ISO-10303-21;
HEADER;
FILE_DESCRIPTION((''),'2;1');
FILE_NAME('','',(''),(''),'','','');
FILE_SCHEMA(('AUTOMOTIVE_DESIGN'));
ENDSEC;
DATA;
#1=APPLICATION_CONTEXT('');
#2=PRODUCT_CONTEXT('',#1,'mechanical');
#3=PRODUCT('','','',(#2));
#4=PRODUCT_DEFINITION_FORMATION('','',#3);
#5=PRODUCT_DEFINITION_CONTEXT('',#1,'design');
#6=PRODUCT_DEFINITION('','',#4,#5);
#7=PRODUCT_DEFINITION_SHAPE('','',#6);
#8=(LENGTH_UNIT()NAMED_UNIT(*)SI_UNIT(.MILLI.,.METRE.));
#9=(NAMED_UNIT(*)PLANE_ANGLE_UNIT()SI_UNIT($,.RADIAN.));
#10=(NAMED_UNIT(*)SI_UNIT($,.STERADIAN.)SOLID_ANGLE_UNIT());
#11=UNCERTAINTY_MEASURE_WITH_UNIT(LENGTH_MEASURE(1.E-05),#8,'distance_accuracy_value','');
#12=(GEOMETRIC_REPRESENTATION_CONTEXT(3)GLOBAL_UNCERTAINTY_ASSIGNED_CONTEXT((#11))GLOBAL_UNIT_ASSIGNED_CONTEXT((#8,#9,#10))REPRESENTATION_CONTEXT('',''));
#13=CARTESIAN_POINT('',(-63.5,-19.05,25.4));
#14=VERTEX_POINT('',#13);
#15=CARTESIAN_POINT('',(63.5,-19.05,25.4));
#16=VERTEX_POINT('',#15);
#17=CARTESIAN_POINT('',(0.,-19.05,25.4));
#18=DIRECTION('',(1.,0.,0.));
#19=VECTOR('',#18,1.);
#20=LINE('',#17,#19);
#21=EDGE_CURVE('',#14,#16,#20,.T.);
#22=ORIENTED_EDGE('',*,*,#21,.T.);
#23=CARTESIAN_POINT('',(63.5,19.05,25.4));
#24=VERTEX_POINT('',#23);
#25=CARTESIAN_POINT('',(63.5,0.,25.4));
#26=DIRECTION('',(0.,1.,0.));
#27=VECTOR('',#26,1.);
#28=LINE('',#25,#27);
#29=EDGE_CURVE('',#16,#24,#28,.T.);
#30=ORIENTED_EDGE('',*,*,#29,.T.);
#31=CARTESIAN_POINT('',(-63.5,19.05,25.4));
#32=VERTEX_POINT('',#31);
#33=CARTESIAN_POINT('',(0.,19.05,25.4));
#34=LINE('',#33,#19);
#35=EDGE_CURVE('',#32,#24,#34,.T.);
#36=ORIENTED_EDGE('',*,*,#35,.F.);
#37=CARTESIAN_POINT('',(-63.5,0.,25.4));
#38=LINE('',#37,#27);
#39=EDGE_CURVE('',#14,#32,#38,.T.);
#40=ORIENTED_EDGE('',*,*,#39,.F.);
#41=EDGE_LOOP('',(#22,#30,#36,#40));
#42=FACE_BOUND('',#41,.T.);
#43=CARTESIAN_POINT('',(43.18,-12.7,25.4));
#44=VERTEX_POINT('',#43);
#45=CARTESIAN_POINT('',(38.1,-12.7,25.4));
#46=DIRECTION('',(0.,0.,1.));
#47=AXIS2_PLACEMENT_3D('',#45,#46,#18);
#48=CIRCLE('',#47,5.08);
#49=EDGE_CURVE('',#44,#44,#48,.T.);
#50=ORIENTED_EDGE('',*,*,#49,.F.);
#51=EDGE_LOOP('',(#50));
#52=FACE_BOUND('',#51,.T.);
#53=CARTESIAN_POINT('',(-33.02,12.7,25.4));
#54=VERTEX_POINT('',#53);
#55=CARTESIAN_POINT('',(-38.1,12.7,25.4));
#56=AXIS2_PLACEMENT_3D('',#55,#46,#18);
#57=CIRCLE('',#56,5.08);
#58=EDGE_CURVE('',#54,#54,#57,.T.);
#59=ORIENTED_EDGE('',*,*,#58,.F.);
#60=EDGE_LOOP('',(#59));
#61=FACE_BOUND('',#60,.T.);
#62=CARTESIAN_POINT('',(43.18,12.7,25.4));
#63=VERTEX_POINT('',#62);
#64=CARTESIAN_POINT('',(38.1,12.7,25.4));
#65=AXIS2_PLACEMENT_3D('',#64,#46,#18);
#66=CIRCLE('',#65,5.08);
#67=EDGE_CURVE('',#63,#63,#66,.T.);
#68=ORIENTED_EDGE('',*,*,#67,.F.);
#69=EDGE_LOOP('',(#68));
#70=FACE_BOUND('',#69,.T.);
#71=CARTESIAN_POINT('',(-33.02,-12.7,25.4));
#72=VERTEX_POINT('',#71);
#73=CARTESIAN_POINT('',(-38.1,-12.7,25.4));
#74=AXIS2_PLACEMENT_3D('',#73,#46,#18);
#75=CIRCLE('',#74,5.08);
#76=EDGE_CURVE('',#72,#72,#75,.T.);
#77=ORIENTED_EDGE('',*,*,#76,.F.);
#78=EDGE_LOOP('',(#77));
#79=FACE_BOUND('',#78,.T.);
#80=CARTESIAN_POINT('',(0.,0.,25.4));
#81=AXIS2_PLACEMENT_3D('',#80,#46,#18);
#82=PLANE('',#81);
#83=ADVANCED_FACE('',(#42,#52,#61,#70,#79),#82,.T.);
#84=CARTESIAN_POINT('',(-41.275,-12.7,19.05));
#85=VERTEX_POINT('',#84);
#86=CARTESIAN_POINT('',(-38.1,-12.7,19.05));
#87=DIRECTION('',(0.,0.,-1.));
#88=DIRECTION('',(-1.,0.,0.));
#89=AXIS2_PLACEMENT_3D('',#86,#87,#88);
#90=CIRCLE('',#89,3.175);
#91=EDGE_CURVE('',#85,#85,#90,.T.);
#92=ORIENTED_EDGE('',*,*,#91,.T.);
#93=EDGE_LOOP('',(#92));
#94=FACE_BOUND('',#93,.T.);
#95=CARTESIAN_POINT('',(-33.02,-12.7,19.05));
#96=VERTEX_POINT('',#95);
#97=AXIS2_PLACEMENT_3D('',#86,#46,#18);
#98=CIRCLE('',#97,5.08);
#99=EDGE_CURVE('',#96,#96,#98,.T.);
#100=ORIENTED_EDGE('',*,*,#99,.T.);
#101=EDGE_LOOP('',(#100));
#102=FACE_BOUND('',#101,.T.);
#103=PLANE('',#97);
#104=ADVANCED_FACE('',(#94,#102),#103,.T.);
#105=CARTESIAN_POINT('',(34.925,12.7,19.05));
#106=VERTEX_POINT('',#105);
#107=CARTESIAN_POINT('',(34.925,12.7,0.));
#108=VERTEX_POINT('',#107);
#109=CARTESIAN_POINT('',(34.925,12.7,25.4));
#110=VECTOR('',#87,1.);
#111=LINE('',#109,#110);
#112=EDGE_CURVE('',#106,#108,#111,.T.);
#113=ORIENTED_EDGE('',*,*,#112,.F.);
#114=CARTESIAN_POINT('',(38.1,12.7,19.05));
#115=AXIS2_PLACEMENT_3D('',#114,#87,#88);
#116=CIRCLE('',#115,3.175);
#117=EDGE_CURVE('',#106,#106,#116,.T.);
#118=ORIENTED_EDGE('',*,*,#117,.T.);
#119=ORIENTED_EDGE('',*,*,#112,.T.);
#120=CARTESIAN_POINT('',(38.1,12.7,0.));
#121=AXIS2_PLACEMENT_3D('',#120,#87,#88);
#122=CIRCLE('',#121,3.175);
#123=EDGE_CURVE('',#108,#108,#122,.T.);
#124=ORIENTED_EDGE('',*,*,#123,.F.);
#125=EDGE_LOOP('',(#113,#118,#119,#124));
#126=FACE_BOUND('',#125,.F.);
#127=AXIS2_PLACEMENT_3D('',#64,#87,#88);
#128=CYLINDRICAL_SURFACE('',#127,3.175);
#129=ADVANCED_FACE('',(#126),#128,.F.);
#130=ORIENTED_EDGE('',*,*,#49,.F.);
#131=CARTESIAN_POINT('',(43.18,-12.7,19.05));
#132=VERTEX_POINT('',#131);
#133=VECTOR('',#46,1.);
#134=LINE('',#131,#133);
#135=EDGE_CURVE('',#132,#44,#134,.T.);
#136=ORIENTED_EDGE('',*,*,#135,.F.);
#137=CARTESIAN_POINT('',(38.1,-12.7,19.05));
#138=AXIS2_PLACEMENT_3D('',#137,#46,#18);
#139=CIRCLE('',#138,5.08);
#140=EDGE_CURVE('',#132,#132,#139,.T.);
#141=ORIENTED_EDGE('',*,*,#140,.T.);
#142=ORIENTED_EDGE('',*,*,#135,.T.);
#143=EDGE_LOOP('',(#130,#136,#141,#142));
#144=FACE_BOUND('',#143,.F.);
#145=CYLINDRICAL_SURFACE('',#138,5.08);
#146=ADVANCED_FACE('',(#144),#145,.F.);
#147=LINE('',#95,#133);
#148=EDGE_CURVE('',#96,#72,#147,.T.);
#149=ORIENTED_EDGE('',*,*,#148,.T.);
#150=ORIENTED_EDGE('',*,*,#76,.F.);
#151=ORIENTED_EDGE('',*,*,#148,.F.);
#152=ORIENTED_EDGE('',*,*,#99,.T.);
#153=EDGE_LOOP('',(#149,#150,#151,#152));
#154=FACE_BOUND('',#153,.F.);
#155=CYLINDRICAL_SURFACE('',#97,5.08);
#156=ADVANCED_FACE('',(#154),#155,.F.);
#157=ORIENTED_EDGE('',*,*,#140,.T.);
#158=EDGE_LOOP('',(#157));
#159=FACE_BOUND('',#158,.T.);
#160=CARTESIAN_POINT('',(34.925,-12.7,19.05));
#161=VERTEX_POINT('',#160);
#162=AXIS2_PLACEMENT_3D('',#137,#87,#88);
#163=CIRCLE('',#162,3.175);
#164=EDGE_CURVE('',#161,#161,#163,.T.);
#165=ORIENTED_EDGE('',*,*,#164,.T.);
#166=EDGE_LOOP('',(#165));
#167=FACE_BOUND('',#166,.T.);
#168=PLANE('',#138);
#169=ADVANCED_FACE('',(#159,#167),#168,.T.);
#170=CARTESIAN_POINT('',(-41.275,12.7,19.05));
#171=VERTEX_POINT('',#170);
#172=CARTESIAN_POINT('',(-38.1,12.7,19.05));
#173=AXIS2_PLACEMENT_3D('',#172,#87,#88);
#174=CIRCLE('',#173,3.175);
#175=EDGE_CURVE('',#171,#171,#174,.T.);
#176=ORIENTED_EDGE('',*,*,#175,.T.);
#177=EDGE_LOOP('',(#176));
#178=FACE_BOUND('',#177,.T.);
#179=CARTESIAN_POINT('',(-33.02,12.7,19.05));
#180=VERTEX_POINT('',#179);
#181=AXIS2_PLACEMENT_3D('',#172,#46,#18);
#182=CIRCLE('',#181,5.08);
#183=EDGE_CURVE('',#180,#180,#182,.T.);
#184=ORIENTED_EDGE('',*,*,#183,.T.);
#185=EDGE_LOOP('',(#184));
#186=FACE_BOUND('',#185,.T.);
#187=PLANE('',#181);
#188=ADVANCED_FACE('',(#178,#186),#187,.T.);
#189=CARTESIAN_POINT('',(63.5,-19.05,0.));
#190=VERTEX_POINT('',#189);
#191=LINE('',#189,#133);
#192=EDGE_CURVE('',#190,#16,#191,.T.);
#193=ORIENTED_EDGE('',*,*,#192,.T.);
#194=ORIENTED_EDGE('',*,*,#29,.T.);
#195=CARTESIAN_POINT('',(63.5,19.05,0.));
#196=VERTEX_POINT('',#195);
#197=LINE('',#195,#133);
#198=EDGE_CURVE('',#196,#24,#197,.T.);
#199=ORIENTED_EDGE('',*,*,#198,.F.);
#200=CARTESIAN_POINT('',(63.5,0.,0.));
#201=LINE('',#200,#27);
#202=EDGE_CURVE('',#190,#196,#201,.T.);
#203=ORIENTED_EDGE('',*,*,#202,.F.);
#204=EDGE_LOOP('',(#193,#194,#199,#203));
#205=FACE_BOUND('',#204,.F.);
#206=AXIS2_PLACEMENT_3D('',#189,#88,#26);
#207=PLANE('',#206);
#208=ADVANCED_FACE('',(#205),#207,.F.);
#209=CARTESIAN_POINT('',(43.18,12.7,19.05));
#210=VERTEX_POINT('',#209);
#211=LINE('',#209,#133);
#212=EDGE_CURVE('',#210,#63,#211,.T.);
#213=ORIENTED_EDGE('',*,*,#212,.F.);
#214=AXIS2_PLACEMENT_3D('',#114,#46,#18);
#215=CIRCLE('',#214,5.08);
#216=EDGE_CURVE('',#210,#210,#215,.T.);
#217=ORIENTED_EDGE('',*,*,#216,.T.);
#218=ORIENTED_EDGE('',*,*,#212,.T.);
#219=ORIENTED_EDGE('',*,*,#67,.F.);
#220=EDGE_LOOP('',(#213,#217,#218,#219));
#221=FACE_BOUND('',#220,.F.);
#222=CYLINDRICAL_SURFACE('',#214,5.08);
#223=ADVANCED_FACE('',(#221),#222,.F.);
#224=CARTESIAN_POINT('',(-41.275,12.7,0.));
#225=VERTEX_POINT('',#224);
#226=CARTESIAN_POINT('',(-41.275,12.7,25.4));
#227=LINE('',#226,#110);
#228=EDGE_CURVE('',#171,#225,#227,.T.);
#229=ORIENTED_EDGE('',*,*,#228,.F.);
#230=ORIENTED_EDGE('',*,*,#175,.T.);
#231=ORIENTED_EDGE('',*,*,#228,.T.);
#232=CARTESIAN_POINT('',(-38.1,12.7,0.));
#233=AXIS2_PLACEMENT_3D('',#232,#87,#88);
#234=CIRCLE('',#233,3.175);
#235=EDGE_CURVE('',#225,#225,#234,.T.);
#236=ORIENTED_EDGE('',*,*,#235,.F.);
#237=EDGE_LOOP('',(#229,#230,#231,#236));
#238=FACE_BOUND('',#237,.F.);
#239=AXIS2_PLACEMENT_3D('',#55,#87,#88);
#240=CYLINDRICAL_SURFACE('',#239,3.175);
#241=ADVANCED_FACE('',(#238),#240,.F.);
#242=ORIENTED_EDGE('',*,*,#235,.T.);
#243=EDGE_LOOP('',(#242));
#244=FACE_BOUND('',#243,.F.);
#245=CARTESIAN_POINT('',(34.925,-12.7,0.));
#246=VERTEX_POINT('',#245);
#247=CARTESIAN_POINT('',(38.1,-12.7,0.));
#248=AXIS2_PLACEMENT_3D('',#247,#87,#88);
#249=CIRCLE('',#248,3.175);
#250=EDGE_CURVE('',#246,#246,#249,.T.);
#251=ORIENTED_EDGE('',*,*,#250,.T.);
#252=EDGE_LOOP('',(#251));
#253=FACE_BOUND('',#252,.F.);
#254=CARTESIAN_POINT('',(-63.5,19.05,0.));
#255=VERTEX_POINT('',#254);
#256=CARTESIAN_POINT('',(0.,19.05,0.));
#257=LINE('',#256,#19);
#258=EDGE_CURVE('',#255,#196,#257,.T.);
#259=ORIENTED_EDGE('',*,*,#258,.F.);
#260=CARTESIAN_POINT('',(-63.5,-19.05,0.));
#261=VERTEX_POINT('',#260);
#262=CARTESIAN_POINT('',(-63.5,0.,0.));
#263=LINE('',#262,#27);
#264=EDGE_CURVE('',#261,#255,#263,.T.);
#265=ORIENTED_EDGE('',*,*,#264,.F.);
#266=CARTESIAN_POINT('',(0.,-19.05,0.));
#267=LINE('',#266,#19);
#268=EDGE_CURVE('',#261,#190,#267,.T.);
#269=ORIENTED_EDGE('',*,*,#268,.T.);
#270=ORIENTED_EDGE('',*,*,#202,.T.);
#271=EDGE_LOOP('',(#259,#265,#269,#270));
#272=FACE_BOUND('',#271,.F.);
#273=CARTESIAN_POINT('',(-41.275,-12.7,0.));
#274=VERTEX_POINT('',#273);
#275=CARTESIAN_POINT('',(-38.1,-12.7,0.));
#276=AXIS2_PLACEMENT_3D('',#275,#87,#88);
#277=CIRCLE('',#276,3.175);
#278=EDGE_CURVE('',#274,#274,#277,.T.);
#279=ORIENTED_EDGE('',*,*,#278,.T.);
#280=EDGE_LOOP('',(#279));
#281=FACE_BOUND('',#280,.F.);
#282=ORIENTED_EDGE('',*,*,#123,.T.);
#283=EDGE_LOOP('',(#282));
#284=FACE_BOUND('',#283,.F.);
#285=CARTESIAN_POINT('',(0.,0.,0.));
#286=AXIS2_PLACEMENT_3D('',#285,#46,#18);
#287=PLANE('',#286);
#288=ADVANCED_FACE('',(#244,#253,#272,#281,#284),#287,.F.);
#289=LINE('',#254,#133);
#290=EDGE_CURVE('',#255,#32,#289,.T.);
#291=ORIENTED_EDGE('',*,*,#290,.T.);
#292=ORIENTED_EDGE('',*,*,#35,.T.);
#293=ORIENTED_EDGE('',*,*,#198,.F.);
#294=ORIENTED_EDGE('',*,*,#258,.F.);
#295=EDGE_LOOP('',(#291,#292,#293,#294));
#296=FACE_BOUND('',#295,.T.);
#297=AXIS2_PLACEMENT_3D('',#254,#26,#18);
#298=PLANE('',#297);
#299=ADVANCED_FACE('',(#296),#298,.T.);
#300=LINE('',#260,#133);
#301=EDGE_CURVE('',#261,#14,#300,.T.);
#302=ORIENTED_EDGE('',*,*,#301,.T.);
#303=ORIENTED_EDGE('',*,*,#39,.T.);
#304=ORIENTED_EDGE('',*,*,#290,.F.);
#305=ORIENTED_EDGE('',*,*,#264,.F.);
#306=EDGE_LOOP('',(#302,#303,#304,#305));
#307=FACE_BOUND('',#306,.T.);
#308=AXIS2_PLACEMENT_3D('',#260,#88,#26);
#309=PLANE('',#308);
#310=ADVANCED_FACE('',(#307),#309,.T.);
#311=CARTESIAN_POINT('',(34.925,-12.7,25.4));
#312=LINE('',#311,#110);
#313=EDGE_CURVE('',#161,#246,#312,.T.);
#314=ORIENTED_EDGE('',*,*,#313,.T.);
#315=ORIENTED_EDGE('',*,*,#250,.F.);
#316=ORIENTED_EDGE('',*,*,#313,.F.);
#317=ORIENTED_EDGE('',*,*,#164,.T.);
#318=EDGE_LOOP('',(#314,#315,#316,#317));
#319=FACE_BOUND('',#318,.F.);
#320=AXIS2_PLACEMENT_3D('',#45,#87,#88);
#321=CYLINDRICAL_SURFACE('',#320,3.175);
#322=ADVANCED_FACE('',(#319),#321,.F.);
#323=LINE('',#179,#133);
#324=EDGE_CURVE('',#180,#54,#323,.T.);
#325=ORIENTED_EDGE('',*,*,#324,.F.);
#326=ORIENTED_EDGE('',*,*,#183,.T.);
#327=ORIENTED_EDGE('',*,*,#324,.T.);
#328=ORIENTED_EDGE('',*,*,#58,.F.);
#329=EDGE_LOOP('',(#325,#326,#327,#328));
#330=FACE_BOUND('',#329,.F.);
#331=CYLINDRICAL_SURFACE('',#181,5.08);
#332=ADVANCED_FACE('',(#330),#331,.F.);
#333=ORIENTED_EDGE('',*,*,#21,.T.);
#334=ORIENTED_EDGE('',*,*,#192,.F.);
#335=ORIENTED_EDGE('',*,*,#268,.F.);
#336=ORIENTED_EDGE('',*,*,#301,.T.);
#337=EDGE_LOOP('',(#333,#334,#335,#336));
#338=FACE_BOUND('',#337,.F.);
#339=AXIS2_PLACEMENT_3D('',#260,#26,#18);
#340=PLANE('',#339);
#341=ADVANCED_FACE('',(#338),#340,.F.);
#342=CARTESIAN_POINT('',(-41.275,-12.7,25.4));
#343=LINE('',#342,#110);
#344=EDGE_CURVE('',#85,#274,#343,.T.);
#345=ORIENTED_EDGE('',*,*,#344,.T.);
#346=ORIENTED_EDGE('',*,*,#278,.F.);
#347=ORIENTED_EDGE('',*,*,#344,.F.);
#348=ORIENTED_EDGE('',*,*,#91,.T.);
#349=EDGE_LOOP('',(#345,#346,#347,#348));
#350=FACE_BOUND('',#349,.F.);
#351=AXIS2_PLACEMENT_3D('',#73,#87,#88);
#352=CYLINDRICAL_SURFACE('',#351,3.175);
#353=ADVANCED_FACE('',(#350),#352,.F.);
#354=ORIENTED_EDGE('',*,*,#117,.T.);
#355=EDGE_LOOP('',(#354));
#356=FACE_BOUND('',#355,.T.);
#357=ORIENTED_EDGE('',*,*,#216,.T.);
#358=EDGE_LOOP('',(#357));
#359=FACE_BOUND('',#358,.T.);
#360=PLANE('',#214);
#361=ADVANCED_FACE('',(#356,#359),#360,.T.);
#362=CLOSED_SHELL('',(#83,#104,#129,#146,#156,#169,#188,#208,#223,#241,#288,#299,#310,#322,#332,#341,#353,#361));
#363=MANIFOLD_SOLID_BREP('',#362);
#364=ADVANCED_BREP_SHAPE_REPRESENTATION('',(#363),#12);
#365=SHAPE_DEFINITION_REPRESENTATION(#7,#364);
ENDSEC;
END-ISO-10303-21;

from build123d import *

# Parameters (mm, degrees)
F0_W           = 127
F0_H           = 38.1
F1_DEPTH       = 25.4
F3_D           = 6.35
F3_CBORE_D     = 10.16
F3_CBORE_DEPTH = 6.35


with BuildPart() as f1:
    # F0 (on Top) → F1 (new body)
    with BuildSketch(Plane.XY):
        Rectangle(F0_W, F0_H)
    extrude(amount=F1_DEPTH)

    # F3 (through all)
    with Locations(Plane.XY.offset(25.4)):
        with Locations((-38.1, 12.7), (-38.1, -12.7), (38.1, -12.7), (38.1, 12.7)):
            CounterBoreHole(F3_D / 2, F3_CBORE_D / 2, F3_CBORE_DEPTH)


solid = f1.part
